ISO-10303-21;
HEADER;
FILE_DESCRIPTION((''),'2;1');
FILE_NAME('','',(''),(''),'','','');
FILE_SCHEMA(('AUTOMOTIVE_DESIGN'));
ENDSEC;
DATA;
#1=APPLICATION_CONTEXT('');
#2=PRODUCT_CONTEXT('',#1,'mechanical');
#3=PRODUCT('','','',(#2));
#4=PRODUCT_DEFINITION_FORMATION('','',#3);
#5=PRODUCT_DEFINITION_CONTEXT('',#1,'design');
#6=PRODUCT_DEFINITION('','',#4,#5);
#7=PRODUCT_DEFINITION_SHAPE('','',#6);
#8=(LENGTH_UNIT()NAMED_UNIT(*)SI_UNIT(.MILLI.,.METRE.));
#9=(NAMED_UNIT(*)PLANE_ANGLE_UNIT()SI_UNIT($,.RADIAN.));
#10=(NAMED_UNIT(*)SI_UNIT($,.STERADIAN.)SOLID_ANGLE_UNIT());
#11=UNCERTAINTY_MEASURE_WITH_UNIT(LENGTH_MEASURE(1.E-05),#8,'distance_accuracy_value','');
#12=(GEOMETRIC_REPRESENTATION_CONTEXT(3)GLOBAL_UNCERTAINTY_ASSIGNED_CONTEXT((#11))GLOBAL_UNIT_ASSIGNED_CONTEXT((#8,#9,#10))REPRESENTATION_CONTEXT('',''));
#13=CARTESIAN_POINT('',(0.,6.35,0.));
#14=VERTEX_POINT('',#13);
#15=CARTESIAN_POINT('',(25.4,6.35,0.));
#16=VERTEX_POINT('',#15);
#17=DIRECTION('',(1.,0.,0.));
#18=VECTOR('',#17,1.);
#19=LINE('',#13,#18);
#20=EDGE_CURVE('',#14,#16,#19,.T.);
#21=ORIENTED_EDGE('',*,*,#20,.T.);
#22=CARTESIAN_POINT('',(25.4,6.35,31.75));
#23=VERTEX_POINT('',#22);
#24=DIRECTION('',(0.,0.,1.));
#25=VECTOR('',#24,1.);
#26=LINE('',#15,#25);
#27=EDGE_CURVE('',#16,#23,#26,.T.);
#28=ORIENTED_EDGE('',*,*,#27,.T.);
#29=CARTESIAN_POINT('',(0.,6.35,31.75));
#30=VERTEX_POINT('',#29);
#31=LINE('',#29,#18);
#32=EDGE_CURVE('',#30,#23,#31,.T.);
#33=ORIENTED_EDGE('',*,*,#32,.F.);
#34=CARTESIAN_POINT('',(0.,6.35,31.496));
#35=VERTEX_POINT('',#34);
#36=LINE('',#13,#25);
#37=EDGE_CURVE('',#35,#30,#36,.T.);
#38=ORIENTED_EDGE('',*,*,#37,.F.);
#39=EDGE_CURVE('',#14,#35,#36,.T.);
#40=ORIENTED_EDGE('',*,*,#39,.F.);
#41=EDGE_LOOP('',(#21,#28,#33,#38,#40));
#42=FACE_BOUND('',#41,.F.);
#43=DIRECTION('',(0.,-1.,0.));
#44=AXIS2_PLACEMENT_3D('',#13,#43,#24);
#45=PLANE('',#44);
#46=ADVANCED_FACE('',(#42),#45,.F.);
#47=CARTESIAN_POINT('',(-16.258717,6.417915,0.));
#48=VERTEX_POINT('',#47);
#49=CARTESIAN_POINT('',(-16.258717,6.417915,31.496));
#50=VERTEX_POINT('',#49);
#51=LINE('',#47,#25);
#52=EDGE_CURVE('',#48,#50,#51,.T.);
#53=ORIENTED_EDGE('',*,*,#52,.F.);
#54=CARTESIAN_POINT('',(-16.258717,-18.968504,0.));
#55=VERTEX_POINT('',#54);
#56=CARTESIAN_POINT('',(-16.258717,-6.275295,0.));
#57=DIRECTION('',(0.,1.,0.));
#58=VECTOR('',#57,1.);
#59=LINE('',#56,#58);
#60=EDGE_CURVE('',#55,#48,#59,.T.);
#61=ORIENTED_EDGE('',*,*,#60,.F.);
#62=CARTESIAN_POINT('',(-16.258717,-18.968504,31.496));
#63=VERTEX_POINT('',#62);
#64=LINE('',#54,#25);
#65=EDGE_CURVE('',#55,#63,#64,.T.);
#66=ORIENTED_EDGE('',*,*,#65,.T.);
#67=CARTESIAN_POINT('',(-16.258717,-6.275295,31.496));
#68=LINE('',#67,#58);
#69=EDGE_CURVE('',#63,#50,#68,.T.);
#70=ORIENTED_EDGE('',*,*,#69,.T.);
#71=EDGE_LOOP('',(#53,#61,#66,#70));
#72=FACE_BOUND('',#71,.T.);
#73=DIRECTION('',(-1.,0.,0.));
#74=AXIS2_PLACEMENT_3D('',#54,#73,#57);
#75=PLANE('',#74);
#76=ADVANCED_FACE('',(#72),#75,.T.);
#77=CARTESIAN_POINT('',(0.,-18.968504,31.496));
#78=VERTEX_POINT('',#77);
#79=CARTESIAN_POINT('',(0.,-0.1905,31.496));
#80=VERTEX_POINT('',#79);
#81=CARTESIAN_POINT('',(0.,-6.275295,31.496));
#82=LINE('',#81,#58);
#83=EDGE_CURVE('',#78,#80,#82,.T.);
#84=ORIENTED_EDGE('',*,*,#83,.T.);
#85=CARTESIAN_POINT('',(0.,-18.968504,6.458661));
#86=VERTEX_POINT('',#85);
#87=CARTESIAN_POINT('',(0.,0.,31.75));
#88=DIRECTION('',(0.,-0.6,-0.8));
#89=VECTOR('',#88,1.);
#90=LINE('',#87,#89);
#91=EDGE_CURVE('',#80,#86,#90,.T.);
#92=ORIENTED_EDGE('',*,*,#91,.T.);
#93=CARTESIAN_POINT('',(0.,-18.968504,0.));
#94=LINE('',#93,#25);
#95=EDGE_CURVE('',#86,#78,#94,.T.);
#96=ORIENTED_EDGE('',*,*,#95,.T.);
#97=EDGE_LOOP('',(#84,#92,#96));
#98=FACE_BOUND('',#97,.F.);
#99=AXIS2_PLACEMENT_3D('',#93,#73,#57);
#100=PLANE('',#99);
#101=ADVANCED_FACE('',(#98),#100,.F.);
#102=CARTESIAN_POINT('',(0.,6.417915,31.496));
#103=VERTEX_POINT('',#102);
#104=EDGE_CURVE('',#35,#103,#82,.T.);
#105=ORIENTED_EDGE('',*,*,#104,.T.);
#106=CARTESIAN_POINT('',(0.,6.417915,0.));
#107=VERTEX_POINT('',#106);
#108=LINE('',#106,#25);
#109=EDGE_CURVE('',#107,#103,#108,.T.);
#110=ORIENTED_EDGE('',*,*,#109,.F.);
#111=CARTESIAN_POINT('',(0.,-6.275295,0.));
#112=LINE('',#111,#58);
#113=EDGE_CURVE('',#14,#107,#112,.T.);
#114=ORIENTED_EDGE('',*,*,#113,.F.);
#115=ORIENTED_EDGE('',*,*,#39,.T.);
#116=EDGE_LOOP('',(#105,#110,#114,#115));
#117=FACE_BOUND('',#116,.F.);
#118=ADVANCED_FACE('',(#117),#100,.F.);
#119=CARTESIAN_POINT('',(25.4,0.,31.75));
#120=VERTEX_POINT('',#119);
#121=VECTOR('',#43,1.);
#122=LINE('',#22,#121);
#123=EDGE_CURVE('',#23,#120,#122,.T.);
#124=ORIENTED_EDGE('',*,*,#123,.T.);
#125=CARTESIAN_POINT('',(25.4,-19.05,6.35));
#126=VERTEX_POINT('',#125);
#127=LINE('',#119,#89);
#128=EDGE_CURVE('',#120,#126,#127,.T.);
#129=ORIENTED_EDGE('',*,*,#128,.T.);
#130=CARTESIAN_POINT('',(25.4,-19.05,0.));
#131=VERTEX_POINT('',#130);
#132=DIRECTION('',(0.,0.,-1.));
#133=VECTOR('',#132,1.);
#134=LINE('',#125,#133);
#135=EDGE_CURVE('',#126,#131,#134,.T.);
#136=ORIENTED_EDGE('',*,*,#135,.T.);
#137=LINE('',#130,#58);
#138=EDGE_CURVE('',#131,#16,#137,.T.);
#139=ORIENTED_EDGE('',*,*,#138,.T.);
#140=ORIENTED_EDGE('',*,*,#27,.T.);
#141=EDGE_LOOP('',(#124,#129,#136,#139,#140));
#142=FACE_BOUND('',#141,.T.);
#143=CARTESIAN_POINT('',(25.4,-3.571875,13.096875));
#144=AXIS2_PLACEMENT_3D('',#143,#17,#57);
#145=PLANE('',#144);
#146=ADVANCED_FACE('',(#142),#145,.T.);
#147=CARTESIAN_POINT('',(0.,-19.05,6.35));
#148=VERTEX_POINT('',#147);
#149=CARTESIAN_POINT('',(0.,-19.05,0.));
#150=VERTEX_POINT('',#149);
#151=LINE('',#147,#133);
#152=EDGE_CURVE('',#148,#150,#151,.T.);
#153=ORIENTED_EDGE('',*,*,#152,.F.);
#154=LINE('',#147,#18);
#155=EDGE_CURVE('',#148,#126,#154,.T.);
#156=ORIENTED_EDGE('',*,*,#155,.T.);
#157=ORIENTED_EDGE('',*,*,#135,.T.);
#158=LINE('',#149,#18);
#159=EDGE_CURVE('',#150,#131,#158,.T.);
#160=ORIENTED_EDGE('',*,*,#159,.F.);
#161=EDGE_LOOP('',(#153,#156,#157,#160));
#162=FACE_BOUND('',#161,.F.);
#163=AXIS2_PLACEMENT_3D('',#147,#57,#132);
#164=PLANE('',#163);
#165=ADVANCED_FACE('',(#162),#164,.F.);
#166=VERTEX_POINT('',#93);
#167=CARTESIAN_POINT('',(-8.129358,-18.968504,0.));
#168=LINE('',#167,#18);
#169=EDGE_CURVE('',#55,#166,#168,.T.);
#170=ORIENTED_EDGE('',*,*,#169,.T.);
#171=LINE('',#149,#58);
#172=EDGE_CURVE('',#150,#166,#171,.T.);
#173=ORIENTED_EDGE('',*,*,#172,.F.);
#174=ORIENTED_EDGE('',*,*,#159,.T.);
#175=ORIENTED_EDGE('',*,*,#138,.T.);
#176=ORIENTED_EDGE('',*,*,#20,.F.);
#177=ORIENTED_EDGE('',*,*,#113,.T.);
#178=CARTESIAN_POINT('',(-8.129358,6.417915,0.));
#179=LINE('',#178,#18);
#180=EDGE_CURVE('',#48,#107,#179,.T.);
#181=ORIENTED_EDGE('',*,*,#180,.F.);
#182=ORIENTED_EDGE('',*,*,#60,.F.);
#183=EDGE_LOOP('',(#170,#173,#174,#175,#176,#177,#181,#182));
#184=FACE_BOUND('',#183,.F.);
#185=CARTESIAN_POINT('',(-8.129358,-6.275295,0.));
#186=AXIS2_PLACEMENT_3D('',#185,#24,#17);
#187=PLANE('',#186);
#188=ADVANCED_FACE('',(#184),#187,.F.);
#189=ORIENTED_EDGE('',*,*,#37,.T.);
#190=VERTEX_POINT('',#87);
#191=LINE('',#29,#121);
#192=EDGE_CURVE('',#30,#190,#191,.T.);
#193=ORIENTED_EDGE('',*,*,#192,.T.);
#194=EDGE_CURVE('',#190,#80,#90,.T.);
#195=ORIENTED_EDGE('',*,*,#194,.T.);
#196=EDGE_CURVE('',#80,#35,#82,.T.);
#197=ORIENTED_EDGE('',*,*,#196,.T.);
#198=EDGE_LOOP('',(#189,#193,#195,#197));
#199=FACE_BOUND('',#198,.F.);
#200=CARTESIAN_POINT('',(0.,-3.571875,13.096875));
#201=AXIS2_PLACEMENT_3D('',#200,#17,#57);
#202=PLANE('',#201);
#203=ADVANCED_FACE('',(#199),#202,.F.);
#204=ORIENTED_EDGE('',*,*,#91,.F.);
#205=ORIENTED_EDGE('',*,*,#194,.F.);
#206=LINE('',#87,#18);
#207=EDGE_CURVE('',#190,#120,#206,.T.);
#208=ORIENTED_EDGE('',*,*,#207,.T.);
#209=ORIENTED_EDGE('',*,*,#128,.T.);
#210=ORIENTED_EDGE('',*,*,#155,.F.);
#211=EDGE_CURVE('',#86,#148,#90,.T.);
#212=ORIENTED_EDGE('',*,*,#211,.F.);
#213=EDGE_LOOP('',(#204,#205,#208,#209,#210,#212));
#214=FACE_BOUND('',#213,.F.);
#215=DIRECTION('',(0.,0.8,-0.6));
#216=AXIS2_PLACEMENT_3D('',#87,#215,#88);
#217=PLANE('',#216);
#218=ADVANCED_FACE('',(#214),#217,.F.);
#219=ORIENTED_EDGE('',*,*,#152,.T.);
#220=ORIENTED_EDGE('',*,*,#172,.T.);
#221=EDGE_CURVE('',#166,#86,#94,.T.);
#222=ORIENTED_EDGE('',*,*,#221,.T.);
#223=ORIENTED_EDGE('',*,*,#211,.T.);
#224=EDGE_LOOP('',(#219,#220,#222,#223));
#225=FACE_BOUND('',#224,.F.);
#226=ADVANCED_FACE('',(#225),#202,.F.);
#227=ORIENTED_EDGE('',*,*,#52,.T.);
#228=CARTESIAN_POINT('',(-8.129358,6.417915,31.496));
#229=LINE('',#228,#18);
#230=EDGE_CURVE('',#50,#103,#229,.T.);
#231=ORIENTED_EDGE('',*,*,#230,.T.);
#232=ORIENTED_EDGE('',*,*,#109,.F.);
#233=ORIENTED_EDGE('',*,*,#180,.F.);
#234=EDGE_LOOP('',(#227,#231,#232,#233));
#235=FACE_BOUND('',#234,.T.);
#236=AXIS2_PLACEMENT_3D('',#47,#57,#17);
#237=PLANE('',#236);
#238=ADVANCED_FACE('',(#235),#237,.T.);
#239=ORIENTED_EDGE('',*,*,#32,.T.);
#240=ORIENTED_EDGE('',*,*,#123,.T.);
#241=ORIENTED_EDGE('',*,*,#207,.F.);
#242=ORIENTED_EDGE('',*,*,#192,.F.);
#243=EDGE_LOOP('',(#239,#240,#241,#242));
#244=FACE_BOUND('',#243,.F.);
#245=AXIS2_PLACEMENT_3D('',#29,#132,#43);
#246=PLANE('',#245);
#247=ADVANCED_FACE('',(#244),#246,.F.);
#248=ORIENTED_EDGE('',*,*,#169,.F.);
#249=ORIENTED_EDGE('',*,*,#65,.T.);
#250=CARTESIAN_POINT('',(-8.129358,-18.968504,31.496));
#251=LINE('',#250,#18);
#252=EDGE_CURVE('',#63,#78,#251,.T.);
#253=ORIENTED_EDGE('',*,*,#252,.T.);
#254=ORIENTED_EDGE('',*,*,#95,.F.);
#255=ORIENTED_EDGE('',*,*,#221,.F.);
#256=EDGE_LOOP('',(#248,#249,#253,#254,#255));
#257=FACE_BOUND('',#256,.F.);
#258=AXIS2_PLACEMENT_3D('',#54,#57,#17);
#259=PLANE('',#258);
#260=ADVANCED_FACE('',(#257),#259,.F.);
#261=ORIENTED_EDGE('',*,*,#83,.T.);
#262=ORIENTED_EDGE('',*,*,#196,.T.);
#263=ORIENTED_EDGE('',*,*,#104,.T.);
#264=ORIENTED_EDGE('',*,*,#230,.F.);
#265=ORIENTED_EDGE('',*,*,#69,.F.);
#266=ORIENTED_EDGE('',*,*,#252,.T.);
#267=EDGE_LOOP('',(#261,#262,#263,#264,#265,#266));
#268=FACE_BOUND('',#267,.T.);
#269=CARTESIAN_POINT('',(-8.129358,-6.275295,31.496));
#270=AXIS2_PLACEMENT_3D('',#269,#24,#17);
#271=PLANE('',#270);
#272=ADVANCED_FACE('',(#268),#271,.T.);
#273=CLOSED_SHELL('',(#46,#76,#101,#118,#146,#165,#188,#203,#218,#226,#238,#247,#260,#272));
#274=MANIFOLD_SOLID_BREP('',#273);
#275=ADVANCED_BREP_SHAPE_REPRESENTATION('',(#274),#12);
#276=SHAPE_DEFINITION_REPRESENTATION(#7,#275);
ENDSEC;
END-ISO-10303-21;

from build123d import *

# Parameters (mm, degrees)
F1_DEPTH = 25.4
F2_W     = 16.2587165833
F2_H     = 25.3864186816
F3_DEPTH = 31.496


with BuildPart() as f1:
    # F0 (on Right) → F1 (new body)
    with BuildSketch(Plane.YZ):
        Polygon((6.35, 31.75), (0, 31.75), (-19.05, 6.35), (-19.05, 0), (6.35, 0), align=None)
    extrude(amount=F1_DEPTH)

    # F2 (on Top) → F3 (join)
    with BuildSketch(Plane.XY):
        with Locations((-8.1293582916, -6.2752945814)):
            Rectangle(F2_W, F2_H)
    extrude(amount=F3_DEPTH)


solid = f1.part
